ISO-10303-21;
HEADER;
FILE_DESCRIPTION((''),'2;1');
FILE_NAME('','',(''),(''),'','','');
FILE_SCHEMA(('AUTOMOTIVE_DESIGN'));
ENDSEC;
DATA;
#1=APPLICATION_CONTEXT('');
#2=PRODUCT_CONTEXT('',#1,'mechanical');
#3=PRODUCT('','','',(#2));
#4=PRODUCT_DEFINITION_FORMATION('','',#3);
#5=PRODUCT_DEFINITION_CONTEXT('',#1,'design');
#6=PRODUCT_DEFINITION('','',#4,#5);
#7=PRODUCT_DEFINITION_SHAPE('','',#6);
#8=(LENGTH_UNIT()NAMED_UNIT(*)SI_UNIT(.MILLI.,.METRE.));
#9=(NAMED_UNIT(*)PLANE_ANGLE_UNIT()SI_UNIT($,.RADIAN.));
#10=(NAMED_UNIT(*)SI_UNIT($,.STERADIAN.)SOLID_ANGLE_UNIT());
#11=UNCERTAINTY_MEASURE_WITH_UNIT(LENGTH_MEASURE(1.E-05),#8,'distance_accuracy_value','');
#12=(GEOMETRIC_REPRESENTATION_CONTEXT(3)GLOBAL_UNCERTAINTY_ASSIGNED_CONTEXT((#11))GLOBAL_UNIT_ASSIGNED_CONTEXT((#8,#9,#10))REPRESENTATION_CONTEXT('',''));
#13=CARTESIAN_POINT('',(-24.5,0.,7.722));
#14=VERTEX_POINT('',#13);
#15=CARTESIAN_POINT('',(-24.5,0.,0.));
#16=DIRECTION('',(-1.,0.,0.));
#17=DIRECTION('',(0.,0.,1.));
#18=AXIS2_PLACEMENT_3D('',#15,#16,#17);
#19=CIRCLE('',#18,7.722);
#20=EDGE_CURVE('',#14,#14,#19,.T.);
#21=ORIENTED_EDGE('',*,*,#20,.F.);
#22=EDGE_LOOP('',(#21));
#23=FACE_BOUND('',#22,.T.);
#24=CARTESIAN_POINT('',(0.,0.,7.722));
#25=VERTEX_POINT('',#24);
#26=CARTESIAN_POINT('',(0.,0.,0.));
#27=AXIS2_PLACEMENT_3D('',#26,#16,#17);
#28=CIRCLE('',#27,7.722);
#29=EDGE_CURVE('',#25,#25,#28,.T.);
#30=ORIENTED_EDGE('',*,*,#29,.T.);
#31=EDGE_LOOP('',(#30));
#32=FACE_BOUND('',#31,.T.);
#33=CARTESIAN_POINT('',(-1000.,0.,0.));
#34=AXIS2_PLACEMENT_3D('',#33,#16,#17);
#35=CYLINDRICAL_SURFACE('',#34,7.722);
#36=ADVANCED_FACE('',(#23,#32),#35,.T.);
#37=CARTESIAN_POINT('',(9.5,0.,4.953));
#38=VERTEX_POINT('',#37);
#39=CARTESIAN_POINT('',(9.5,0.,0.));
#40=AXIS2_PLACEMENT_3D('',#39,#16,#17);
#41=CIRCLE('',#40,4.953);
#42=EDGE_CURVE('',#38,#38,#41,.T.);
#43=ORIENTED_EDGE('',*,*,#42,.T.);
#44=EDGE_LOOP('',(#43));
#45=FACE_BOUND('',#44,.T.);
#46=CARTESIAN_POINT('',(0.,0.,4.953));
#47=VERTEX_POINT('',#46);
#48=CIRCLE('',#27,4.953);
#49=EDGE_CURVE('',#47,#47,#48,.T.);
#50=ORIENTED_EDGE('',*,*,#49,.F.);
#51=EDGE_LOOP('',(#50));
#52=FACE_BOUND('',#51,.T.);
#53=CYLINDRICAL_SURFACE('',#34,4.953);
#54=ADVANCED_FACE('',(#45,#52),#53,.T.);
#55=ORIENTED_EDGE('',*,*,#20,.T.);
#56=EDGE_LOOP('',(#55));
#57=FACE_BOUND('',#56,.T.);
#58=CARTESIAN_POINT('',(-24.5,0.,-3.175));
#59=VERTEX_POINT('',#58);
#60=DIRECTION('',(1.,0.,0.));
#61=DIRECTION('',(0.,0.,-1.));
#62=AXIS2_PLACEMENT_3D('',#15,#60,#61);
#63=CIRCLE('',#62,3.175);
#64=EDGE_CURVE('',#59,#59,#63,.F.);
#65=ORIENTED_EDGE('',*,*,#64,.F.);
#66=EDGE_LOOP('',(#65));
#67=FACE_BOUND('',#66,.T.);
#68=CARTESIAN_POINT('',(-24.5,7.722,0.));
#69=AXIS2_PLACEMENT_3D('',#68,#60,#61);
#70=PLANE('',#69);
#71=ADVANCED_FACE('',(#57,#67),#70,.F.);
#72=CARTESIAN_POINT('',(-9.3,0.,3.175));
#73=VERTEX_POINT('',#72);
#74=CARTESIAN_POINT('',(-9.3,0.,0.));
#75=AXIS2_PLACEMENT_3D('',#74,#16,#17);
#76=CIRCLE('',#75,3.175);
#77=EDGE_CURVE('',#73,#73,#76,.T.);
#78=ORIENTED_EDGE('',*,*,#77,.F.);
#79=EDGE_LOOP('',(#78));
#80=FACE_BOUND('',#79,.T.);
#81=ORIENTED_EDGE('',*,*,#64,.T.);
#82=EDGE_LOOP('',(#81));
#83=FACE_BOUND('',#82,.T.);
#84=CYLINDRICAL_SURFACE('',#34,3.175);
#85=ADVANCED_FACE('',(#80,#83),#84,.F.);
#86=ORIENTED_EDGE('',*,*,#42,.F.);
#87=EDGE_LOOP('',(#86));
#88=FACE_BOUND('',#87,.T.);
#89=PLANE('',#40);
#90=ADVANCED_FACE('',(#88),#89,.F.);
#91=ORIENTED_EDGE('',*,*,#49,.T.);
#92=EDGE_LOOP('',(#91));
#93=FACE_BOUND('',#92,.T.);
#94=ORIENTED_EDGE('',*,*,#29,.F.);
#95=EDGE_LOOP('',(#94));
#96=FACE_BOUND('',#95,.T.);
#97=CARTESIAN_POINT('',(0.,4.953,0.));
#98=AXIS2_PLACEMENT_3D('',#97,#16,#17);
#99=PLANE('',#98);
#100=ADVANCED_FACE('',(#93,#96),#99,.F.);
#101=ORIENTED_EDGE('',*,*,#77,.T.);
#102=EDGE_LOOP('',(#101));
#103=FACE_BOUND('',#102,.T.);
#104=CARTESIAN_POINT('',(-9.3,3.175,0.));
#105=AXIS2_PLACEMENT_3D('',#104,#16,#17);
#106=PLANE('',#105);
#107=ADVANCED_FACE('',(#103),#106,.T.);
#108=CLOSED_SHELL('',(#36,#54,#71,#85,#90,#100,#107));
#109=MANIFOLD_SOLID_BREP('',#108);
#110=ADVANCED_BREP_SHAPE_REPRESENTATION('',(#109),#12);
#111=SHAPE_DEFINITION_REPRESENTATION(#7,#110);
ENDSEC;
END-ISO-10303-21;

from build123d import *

# Parameters (mm, degrees)
SOCKET_SKETCH_W = 16.2
SOCKET_SKETCH_H = 3.175


with BuildPart() as part:
    # Conn_T4_ORB4 Sketch → Conn_T4_ORB4 (revolve)
    with BuildSketch(Plane.XY):
        Polygon((9.5, 0), (9.5, 4.953), (0, 4.953), (0, 7.722), (-24.5, 7.722), (-24.5, 0), align=None)
    revolve(axis=Axis((-1000, 0, 0), (1, 0, 0)))

    # Socket Sketch → Socket (revolve, cut)
    with BuildSketch(Plane.XY):
        with Locations((-17.4, 1.5875)):
            Rectangle(SOCKET_SKETCH_W, SOCKET_SKETCH_H)
    revolve(axis=Axis((-1000, 0, 0), (1, 0, 0)), mode=Mode.SUBTRACT)


solid = part.part
